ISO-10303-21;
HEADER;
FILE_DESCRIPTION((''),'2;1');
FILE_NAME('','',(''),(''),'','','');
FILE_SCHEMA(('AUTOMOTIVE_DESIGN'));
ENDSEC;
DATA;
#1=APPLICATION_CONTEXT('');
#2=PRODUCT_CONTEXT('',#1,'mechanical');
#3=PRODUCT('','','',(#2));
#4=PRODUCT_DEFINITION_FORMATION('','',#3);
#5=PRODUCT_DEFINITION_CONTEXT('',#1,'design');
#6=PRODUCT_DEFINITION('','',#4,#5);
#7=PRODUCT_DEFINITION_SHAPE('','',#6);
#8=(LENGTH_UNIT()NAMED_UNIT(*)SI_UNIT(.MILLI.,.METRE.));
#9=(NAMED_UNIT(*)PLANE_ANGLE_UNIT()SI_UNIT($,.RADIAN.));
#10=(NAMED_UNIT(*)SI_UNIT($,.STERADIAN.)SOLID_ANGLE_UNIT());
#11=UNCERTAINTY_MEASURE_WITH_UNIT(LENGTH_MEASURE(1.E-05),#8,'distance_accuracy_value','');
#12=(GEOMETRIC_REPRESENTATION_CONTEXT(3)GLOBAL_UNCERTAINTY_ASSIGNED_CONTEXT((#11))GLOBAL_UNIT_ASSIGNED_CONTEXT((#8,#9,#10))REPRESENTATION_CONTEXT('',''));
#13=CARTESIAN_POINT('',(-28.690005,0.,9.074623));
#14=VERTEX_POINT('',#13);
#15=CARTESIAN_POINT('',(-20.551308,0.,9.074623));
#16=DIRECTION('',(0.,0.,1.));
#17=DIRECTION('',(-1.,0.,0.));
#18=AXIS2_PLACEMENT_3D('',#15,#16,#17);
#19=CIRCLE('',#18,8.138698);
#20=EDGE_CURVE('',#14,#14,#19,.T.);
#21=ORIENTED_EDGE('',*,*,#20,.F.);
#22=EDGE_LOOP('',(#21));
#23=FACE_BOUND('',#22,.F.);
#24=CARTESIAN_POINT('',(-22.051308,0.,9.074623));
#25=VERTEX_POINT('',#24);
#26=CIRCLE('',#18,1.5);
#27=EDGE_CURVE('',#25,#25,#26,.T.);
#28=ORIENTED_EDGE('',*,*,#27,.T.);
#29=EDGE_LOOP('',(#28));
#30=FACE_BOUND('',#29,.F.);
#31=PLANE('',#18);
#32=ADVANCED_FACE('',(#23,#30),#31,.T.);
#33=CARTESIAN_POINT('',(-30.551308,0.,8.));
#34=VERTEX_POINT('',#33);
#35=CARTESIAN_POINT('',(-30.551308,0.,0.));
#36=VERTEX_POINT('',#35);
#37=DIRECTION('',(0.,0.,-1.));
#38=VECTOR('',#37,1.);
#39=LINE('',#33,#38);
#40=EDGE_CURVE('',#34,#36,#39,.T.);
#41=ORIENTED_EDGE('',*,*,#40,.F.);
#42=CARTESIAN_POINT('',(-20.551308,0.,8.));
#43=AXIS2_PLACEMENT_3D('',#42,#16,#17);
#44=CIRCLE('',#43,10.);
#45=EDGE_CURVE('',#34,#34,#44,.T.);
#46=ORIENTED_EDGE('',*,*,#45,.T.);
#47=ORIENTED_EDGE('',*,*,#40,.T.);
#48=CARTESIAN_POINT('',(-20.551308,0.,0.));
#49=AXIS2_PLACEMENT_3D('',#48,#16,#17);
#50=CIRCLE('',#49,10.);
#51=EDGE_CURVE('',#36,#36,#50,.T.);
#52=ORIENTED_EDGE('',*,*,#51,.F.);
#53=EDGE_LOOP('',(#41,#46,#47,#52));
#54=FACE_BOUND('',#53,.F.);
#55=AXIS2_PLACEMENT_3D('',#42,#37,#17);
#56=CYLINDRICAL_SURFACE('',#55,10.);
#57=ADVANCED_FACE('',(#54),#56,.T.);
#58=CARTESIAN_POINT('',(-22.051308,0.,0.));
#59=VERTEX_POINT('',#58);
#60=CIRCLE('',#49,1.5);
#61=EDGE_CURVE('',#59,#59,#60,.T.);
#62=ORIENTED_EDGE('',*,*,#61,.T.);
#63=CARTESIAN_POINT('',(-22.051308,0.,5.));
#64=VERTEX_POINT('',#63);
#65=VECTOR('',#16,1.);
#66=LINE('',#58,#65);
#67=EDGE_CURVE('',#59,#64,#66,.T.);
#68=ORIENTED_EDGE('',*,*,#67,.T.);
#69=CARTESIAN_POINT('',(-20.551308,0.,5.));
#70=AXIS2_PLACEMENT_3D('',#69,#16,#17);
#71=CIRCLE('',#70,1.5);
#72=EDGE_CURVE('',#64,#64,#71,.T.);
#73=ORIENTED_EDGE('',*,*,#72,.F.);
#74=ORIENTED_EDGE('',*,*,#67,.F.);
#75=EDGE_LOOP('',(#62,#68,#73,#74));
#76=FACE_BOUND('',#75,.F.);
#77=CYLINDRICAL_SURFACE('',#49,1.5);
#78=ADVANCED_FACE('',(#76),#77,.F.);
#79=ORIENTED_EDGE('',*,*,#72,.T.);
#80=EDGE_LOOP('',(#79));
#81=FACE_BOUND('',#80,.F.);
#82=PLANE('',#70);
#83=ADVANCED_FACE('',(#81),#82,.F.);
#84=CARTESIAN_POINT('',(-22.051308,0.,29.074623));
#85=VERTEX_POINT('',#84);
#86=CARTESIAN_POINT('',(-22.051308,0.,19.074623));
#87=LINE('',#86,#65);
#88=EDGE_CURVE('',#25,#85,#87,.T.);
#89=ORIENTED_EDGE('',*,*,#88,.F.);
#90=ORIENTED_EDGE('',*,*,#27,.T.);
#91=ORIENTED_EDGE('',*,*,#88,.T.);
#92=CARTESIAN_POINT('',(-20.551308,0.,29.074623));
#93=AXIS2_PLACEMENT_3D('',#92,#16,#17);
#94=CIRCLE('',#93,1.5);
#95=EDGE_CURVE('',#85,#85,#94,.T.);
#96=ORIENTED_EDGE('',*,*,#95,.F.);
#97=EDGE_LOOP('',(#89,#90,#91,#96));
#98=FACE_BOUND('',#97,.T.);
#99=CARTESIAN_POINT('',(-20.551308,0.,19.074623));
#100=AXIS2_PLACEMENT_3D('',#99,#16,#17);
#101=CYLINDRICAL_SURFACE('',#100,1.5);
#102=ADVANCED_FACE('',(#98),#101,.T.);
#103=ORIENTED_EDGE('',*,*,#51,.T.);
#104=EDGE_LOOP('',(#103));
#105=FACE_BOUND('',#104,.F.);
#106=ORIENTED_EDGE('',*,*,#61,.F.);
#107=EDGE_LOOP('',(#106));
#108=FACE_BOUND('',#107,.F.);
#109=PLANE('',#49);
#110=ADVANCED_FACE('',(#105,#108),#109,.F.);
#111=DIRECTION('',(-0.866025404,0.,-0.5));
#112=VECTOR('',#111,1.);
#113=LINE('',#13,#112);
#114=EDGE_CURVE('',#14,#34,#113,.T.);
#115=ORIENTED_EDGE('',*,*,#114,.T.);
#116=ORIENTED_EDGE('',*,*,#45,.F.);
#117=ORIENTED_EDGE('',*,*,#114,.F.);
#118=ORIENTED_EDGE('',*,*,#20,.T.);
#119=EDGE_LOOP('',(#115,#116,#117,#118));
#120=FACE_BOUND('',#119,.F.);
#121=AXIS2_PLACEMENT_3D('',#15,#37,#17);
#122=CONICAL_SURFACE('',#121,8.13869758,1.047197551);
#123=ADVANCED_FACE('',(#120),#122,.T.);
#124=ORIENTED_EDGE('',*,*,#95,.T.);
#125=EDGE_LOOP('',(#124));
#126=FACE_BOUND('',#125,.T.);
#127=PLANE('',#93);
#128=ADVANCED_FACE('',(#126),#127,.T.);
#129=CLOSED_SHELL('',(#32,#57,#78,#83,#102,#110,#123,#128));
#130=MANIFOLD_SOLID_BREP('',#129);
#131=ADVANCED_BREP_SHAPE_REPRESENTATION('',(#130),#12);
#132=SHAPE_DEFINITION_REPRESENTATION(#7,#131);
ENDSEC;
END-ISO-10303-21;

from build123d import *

# Parameters (mm, degrees)
F0_W   = 1.5
F0_H   = 20
F0_H_2 = 3
F0_H_3 = 1.0746234533


with BuildPart() as f1:
    # F0 (on Front) → F1 (revolve)
    with BuildSketch(Plane.XZ):
        with Locations((-21.3013077103, 19.0746234533)):
            Rectangle(F0_W, F0_H)
        Polygon((-22.0513077103, 8), (-30.5513077103, 8), (-30.5513077103, 0), (-22.0513077103, 0), (-22.0513077103, 5), align=None)
        Polygon((-28.6900052902, 9.0746234533), (-30.5513077103, 8), (-22.0513077103, 8), (-22.0513077103, 9.0746234533), align=None)
        with Locations((-21.3013077103, 6.5)):
            Rectangle(F0_W, F0_H_2)
        with Locations((-21.3013077103, 8.5373117267)):
            Rectangle(F0_W, F0_H_3)
    revolve(axis=Axis((-20.5513077103, 0, 19.0746234533), (0, 0, 1)))


solid = f1.part
